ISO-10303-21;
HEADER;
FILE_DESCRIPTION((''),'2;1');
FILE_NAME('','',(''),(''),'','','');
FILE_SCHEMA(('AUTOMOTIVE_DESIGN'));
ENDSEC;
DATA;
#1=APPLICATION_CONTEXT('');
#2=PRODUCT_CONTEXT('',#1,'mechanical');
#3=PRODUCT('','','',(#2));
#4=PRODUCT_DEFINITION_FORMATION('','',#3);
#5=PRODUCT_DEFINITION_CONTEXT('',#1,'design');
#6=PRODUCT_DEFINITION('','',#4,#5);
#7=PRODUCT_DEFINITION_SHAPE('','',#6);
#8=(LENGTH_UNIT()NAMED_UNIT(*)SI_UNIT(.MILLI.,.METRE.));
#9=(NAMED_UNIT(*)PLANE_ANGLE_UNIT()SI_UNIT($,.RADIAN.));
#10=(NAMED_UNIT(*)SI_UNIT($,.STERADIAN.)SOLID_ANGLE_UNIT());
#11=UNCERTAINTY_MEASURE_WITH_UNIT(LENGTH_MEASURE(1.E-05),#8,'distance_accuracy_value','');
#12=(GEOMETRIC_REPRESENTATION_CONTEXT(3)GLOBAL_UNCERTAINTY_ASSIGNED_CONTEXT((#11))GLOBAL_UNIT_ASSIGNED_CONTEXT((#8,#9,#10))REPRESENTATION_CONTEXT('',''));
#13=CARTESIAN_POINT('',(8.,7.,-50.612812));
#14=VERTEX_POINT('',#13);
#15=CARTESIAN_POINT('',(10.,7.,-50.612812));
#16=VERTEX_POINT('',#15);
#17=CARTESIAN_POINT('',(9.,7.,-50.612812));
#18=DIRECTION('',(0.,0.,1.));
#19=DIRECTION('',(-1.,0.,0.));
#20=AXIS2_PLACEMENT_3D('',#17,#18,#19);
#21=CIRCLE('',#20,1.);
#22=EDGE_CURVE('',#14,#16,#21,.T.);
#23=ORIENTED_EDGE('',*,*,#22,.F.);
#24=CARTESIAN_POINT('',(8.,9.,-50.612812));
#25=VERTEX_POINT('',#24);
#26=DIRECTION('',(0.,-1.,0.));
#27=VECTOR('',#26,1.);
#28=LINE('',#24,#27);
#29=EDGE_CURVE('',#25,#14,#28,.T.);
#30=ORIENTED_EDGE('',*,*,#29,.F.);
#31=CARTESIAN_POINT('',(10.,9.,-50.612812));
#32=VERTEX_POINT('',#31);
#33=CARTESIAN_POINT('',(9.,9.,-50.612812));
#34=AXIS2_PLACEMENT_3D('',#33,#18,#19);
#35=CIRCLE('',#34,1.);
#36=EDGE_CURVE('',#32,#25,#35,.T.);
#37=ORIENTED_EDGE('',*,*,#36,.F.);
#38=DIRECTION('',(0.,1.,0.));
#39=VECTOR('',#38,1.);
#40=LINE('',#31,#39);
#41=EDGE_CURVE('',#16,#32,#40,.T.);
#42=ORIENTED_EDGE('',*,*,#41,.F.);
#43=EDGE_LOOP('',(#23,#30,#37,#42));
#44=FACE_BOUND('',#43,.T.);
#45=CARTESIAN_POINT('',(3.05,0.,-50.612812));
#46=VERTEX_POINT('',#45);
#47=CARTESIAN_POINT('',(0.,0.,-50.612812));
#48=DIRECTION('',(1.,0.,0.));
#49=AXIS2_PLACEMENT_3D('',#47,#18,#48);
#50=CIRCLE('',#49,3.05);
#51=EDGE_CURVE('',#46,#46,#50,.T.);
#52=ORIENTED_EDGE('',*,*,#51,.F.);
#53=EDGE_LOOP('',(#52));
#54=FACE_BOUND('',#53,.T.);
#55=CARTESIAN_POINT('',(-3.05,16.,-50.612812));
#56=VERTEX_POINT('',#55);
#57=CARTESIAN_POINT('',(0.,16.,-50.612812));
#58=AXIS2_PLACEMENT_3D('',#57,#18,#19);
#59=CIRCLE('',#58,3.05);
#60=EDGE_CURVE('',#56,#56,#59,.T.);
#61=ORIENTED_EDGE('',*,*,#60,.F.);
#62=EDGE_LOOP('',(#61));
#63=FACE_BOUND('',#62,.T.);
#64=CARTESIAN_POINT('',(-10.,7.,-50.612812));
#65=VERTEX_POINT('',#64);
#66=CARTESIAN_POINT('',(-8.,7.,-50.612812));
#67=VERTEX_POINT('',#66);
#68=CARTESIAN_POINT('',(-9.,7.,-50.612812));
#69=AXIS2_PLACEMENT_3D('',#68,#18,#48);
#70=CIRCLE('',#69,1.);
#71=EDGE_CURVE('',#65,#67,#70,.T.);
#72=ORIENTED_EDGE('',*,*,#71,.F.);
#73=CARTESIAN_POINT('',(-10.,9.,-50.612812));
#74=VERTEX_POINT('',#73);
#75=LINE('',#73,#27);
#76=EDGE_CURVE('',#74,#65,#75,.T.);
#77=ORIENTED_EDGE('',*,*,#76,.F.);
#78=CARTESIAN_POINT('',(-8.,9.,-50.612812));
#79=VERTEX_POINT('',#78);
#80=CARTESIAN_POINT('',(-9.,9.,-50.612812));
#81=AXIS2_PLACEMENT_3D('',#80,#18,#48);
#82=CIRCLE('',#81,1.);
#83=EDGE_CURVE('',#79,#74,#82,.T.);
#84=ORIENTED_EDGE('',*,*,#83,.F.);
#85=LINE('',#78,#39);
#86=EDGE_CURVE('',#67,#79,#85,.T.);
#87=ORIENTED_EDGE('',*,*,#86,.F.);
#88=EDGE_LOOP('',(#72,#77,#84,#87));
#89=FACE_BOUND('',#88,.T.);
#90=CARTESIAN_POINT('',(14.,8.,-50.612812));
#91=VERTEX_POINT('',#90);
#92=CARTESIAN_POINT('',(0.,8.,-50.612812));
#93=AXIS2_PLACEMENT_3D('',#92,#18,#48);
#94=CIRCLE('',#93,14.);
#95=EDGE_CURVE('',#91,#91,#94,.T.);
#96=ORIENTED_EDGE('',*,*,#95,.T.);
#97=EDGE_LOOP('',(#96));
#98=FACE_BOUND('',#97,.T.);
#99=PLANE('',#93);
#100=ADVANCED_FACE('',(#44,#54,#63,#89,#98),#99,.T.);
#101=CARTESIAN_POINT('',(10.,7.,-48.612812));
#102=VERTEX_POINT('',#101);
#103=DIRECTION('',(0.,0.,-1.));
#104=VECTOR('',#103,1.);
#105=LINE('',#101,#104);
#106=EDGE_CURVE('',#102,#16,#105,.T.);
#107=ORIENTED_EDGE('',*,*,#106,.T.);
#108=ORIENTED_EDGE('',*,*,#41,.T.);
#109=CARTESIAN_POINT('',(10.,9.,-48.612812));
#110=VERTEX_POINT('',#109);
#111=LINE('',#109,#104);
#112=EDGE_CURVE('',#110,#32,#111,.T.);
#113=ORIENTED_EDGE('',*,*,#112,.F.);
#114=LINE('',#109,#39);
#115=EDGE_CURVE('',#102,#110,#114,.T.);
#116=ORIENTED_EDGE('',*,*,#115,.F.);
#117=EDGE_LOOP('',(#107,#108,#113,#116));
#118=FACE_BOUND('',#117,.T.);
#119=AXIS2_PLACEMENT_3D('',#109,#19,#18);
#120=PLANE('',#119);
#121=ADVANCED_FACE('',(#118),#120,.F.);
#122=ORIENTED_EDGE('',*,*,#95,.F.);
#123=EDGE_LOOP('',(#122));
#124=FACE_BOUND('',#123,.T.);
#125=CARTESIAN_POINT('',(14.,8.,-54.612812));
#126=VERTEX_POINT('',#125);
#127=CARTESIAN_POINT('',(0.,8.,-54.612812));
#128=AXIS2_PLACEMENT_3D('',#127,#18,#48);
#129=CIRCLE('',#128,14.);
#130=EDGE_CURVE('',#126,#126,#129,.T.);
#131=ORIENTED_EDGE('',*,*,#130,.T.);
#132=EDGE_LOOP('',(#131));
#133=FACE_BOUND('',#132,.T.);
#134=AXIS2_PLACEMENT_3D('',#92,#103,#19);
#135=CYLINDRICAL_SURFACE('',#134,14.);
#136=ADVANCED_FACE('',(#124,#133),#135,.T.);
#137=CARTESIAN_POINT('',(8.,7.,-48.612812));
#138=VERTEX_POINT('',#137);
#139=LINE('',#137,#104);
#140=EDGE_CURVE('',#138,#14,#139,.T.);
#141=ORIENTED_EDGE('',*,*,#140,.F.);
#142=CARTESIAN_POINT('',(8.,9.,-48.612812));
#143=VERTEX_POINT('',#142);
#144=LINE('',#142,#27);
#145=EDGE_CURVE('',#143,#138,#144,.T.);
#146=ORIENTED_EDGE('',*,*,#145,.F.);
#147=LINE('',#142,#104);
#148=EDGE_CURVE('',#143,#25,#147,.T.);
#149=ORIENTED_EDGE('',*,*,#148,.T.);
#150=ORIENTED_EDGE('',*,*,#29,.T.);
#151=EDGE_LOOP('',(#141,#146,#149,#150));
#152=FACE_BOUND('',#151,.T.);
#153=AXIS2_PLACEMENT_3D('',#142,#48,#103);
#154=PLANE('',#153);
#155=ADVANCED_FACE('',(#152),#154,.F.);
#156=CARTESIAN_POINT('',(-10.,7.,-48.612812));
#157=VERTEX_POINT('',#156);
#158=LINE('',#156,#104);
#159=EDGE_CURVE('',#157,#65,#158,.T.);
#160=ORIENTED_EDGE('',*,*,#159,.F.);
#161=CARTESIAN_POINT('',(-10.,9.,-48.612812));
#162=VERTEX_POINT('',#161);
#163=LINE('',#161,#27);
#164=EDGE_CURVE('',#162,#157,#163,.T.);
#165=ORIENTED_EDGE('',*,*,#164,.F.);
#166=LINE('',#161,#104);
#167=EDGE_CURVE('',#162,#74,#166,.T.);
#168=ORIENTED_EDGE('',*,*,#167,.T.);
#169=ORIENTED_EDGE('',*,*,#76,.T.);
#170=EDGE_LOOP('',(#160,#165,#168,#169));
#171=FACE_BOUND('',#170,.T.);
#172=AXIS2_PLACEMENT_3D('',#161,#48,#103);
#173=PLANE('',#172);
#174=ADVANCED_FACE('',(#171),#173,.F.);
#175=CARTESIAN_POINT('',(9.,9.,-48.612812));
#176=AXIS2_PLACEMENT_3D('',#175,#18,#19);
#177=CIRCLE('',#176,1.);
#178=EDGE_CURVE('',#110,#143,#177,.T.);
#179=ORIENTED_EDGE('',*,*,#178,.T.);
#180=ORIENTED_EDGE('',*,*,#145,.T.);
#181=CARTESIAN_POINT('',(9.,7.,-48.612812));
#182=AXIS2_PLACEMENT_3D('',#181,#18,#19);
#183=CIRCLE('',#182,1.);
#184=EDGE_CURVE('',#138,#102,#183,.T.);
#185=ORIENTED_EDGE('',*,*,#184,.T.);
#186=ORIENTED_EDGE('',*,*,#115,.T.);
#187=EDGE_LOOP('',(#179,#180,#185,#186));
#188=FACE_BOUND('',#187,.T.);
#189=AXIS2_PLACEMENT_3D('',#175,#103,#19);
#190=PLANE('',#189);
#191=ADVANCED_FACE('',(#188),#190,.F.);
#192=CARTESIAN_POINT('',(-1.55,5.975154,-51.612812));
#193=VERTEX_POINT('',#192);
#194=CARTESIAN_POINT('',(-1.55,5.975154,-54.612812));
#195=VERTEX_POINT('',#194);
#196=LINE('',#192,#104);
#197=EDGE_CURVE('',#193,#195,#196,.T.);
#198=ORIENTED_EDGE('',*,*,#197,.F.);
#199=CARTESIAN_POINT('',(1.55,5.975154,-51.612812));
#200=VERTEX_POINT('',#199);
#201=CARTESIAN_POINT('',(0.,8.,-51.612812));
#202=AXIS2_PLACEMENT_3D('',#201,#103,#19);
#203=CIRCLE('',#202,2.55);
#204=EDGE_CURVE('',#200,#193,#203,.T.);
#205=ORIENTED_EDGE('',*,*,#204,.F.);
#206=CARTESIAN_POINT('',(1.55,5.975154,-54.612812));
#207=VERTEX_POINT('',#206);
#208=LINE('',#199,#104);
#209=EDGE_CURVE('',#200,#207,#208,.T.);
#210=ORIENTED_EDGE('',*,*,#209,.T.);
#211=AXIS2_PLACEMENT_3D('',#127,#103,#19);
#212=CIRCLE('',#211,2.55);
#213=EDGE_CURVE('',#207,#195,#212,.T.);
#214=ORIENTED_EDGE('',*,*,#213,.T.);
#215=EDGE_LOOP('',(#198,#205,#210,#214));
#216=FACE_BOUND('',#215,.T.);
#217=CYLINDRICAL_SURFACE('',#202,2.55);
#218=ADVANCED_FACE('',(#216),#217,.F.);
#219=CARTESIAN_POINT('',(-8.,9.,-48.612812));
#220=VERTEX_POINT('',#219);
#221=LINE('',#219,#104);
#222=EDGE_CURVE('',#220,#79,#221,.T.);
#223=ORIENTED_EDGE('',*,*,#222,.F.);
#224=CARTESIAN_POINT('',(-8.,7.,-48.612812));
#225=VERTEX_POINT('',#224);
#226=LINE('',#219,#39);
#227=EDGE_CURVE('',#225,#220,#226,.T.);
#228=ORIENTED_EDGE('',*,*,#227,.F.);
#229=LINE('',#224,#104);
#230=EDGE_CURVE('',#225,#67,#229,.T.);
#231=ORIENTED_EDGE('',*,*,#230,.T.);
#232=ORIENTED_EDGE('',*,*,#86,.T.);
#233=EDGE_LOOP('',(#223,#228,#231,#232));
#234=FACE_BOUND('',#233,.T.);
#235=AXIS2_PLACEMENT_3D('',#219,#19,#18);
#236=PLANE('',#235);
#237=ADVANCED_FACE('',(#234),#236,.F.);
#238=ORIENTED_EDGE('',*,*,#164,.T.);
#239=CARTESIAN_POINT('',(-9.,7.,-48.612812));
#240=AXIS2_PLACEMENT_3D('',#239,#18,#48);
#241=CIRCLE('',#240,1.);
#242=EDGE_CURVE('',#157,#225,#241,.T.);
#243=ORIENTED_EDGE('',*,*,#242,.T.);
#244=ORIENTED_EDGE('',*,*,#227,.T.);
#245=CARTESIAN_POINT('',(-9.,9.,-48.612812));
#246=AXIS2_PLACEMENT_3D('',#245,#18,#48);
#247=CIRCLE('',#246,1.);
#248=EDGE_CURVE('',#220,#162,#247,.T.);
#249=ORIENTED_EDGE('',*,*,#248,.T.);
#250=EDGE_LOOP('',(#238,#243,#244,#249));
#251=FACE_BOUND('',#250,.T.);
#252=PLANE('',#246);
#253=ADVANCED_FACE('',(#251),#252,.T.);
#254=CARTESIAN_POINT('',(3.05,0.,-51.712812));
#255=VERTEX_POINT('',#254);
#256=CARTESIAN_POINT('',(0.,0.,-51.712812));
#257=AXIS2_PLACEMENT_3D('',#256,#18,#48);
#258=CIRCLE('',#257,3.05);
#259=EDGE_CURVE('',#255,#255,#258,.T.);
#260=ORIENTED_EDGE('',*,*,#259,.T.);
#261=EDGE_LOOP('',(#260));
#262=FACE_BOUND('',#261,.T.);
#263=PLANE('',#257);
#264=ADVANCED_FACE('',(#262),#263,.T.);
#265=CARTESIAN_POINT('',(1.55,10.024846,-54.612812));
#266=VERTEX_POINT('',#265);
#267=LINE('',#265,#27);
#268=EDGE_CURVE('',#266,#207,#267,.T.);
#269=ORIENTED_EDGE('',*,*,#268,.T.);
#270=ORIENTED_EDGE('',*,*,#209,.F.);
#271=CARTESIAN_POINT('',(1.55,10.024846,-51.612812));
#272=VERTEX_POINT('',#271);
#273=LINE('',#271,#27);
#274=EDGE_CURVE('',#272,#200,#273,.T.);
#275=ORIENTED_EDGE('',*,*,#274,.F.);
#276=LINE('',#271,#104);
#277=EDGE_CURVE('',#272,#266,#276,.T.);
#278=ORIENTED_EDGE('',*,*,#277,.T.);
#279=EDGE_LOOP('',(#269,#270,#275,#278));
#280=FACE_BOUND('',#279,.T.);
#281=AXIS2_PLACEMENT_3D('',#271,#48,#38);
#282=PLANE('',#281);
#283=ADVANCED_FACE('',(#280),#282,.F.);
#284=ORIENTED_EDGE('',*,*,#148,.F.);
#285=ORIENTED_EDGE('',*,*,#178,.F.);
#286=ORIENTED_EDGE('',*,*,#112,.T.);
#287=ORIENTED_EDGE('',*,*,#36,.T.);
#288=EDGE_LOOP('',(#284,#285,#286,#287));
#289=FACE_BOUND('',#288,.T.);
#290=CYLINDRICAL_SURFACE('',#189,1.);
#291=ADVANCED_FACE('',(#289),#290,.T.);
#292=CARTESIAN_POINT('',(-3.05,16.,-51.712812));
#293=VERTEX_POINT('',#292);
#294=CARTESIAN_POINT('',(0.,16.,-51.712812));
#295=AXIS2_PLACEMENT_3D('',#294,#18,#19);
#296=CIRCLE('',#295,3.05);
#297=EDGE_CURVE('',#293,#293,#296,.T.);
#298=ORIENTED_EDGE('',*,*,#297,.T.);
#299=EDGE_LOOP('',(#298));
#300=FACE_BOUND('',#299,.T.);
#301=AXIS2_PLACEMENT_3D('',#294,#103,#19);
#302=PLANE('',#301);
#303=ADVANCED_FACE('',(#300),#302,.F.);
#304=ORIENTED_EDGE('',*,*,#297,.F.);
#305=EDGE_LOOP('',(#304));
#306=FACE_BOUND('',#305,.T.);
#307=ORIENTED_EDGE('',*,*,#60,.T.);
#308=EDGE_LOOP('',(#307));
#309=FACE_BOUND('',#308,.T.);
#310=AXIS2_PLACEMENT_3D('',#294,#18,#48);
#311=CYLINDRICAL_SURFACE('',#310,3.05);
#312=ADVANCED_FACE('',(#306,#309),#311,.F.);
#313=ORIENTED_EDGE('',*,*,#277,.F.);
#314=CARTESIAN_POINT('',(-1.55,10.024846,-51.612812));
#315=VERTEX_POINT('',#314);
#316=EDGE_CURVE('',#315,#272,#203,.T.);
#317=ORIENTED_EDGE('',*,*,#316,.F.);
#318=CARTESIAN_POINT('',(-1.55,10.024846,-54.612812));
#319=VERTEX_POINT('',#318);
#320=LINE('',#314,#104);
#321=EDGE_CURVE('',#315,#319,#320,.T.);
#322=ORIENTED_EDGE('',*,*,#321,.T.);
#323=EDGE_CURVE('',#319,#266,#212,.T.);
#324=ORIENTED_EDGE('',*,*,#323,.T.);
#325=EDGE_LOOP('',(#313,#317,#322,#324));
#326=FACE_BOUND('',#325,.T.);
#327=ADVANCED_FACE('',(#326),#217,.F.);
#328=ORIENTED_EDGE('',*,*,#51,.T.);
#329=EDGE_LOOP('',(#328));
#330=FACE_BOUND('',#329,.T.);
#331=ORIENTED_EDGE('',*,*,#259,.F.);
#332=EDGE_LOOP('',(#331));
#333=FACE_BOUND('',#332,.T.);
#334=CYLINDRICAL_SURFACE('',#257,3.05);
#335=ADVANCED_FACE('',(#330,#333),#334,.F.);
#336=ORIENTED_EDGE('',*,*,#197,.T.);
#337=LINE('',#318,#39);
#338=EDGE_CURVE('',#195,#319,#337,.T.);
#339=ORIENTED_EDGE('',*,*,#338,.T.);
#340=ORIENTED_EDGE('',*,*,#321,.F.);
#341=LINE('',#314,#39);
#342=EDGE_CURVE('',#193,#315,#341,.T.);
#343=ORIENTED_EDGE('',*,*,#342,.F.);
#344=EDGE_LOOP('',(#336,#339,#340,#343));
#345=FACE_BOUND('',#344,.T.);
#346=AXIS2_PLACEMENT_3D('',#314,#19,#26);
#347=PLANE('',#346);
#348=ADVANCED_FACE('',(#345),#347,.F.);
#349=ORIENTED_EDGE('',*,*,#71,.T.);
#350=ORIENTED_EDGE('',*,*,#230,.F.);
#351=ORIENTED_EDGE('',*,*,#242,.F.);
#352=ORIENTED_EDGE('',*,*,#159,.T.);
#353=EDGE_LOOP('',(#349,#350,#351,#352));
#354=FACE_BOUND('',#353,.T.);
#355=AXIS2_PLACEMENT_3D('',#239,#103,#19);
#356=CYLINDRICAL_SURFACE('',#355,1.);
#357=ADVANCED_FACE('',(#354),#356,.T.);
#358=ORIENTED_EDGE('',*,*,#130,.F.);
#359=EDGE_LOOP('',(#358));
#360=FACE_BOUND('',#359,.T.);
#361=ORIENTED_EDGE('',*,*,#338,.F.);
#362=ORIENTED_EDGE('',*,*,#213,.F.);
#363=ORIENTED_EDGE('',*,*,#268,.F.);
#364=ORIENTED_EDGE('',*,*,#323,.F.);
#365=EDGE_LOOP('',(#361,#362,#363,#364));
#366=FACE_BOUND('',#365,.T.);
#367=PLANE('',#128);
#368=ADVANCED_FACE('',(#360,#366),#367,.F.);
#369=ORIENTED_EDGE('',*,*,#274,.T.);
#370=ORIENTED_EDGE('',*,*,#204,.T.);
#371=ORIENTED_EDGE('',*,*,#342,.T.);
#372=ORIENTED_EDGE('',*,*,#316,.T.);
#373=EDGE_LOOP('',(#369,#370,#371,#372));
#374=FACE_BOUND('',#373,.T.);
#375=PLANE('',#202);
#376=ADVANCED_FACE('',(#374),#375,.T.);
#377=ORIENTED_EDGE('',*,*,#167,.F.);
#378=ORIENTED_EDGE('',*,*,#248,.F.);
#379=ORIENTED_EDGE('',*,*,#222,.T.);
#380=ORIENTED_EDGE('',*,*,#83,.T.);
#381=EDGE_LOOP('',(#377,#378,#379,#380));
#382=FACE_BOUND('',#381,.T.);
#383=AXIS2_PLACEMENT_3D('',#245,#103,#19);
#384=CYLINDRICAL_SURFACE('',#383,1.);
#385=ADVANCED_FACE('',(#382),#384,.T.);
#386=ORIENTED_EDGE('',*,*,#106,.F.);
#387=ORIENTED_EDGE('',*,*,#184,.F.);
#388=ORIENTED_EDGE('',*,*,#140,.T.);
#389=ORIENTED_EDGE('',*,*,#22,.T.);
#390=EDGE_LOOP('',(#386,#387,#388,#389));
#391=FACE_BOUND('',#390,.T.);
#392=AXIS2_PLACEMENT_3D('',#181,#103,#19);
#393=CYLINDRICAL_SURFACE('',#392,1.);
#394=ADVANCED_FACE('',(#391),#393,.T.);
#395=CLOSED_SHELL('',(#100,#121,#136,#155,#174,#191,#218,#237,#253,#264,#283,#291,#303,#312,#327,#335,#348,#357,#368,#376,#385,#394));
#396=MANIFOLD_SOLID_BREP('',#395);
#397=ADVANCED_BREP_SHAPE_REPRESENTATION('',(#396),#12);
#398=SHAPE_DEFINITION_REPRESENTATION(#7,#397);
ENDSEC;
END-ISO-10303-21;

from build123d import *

# Parameters (mm, degrees)
BOSS_EXTRUDE1_DEPTH      = 1
BOSS_EXTRUDE1_DEPTH_BACK = 3
SKETCH3_R                = 14
SKETCH6_R                = 3.05
CUT_EXTRUDE2_DEPTH       = 1.1
BOSS_EXTRUDE2_DEPTH      = 2
CUT_EXTRUDE3_DEPTH       = 3


with BuildPart() as part:
    # Sketch3 → Boss-Extrude1 (new, two sides: drawn at the far end of the back side and taken through both)
    with BuildSketch(Plane.XY.offset(-51.612811659).offset(-BOSS_EXTRUDE1_DEPTH_BACK)):
        with Locations((0, 8)):
            Circle(SKETCH3_R)
    extrude(amount=BOSS_EXTRUDE1_DEPTH + BOSS_EXTRUDE1_DEPTH_BACK)

    # Sketch6 → Cut-Extrude2 (cut)
    with BuildSketch(Plane.XY.offset(-50.612811659)):
        Circle(SKETCH6_R)
        with Locations(Location((0, 16, 0), (0, 0, 180))):
            Circle(SKETCH6_R)
    extrude(amount=-CUT_EXTRUDE2_DEPTH, mode=Mode.SUBTRACT)

    # Sketch7 → Boss-Extrude2 (add)
    with BuildSketch(Plane.XY.offset(-50.612811659)):
        with BuildLine():
            Line((-8, 9), (-8, 7))
            ThreePointArc((-8, 7), (-9, 6), (-10, 7))
            Line((-10, 7), (-10, 9))
            ThreePointArc((-10, 9), (-9, 10), (-8, 9))
        make_face()
        with BuildLine():
            Line((8, 9), (8, 7))
            ThreePointArc((8, 7), (9, 6), (10, 7))
            Line((10, 7), (10, 9))
            ThreePointArc((10, 9), (9, 10), (8, 9))
        make_face()
    extrude(amount=BOSS_EXTRUDE2_DEPTH)

    # Sketch8 → Cut-Extrude3 (cut)
    with BuildSketch(Plane(origin=(0, 0, -54.612811659), x_dir=(-1, 0, 0), z_dir=(0, 0, -1))):
        with BuildLine():
            Line((-1.55, 10.024845673), (-1.55, 5.975154327))
            ThreePointArc((-1.55, 5.975154327), (0, 5.45), (1.55, 5.975154327))
            Line((1.55, 5.975154327), (1.55, 10.024845673))
            ThreePointArc((1.55, 10.024845673), (0, 10.55), (-1.55, 10.024845673))
        make_face()
    extrude(amount=-CUT_EXTRUDE3_DEPTH, mode=Mode.SUBTRACT)


solid = part.part
